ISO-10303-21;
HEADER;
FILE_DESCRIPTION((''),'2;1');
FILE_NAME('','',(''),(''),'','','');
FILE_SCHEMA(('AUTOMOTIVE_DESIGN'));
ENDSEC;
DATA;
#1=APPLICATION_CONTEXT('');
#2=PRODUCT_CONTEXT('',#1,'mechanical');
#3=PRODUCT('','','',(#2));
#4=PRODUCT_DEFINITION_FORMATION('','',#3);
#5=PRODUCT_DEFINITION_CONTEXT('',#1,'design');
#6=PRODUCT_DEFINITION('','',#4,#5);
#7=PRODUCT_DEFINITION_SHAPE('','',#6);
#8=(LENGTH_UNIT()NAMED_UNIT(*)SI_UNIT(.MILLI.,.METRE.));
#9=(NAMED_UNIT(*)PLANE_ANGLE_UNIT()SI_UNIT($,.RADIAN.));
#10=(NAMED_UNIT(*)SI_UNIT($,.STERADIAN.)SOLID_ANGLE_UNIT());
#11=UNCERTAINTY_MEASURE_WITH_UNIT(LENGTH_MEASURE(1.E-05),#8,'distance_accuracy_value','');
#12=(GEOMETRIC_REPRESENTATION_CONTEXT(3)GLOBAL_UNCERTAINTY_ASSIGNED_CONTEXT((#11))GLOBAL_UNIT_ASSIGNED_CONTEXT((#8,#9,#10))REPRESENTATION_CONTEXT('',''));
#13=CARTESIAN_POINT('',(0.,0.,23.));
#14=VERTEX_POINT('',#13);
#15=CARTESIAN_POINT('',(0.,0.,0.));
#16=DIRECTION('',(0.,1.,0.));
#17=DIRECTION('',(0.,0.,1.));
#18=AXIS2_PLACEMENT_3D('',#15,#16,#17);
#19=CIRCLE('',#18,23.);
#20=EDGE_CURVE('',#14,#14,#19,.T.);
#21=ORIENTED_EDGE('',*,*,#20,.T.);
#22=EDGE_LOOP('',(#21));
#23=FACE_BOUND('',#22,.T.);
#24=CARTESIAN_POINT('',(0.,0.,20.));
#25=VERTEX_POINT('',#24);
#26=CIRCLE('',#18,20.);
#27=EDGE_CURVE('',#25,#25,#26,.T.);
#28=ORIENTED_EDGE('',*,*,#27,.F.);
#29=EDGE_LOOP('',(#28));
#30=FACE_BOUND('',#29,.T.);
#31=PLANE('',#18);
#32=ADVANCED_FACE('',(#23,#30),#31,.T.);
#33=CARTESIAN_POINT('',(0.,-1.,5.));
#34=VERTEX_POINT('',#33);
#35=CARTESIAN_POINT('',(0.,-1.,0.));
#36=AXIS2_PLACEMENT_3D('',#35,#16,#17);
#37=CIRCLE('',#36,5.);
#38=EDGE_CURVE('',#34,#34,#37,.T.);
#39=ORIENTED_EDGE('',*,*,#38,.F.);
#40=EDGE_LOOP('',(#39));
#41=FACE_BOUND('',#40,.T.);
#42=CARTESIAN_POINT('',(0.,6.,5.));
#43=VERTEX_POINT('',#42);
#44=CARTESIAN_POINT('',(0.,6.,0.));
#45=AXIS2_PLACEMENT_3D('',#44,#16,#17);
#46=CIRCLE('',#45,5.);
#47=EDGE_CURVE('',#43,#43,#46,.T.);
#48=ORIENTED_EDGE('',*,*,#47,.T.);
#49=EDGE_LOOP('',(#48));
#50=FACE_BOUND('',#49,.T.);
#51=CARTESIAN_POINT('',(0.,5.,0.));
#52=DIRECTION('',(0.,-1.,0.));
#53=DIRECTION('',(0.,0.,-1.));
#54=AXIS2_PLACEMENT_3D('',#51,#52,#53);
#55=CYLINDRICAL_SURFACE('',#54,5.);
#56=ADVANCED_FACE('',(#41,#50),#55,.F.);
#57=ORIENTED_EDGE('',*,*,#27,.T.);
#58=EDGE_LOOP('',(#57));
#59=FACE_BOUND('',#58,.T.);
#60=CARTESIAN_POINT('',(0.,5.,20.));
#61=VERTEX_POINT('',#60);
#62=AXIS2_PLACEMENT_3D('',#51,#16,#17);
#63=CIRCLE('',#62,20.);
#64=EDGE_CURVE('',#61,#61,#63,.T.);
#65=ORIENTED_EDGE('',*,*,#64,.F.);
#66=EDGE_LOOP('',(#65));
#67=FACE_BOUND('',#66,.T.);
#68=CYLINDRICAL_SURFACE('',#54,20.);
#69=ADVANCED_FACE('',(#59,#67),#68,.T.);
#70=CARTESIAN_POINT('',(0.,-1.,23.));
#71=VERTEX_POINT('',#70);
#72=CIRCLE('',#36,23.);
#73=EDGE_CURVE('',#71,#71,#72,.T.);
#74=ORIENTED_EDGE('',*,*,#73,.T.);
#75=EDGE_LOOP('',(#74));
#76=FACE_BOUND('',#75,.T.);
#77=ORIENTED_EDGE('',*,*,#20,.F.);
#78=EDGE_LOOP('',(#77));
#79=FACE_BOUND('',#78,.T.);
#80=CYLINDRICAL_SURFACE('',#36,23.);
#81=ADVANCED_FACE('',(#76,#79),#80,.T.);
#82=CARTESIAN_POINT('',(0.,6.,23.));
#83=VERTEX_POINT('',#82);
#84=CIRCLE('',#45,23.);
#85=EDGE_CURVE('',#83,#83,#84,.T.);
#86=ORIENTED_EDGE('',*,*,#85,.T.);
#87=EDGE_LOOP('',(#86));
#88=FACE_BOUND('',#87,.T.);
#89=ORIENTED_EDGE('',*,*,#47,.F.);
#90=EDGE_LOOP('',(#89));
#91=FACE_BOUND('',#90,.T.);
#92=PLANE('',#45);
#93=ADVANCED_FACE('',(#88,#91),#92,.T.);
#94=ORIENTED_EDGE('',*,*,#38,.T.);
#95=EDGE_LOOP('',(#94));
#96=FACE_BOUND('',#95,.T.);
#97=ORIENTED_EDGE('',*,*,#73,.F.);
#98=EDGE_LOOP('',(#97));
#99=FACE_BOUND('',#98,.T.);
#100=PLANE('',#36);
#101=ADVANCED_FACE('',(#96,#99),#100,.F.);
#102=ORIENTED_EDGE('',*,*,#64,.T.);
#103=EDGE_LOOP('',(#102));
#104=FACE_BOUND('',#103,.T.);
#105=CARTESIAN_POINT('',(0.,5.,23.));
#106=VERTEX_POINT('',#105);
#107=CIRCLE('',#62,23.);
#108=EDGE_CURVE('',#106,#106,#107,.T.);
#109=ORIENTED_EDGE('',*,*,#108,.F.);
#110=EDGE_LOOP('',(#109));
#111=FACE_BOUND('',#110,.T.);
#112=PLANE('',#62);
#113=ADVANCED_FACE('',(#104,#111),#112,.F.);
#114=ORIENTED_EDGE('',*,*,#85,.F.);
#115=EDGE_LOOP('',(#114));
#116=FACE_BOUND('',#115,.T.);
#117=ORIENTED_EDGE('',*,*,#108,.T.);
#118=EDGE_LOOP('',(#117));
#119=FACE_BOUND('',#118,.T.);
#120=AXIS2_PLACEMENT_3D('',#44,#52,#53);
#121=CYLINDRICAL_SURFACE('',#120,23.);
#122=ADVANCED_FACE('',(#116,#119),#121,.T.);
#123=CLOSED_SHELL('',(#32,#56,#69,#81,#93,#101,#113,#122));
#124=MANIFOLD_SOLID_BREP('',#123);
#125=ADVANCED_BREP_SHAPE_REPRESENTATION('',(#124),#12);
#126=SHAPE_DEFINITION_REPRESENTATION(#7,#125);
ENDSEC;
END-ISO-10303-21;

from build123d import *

# Parameters (mm, degrees)
SKETCH1_R           = 20
SKETCH1_R_2         = 5
BOSS_EXTRUDE1_DEPTH = 5
BOSS_EXTRUDE2_START = -1
SKETCH1_3_R         = 23
SKETCH1_3_R_2       = 20
SKETCH1_3_R_3       = 5
BOSS_EXTRUDE2_DEPTH = 1
BOSS_EXTRUDE3_START = 5
SKETCH1_4_R         = 23
SKETCH1_4_R_2       = 20
SKETCH1_4_R_3       = 5
BOSS_EXTRUDE3_DEPTH = 1


with BuildPart() as part:
    # Sketch1 → Boss-Extrude1 (new body)
    with BuildSketch(Plane(origin=(0, 0, 0), x_dir=(1, 0, 0), z_dir=(0, 1, 0))):
        with Locations(Location((0, 0, 0), (0, 0, 270))):
            Circle(SKETCH1_R)
        with Locations(Location((0, 0, 0), (0, 0, 270))):
            Circle(SKETCH1_R_2, mode=Mode.SUBTRACT)
    extrude(amount=BOSS_EXTRUDE1_DEPTH)

    # Sketch1<3> → Boss-Extrude2 (add)
    # profile 1 of 2: a face of its own
    with BuildSketch(Plane(origin=(0, 0, 0), x_dir=(1, 0, 0), z_dir=(0, 1, 0)).offset(BOSS_EXTRUDE2_START)):
        with Locations(Location((0, 0, 0), (0, 0, 270))):
            Circle(SKETCH1_3_R)
        with Locations(Location((0, 0, 0), (0, 0, 270))):
            Circle(SKETCH1_3_R_2, mode=Mode.SUBTRACT)
    # profile 2 of 2: a face of its own
    with BuildSketch(Plane(origin=(0, 0, 0), x_dir=(1, 0, 0), z_dir=(0, 1, 0)).offset(BOSS_EXTRUDE2_START)):
        with Locations(Location((0, 0, 0), (0, 0, 270))):
            Circle(SKETCH1_3_R_2)
        with Locations(Location((0, 0, 0), (0, 0, 270))):
            Circle(SKETCH1_3_R_3, mode=Mode.SUBTRACT)
    extrude(amount=BOSS_EXTRUDE2_DEPTH)

    # Sketch1<4> → Boss-Extrude3 (add)
    # profile 1 of 2: a face of its own
    with BuildSketch(Plane(origin=(0, 0, 0), x_dir=(1, 0, 0), z_dir=(0, 1, 0)).offset(BOSS_EXTRUDE3_START)):
        with Locations(Location((0, 0, 0), (0, 0, 270))):
            Circle(SKETCH1_4_R)
        with Locations(Location((0, 0, 0), (0, 0, 270))):
            Circle(SKETCH1_4_R_2, mode=Mode.SUBTRACT)
    # profile 2 of 2: a face of its own
    with BuildSketch(Plane(origin=(0, 0, 0), x_dir=(1, 0, 0), z_dir=(0, 1, 0)).offset(BOSS_EXTRUDE3_START)):
        with Locations(Location((0, 0, 0), (0, 0, 270))):
            Circle(SKETCH1_4_R_2)
        with Locations(Location((0, 0, 0), (0, 0, 270))):
            Circle(SKETCH1_4_R_3, mode=Mode.SUBTRACT)
    extrude(amount=BOSS_EXTRUDE3_DEPTH)


solid = part.part
